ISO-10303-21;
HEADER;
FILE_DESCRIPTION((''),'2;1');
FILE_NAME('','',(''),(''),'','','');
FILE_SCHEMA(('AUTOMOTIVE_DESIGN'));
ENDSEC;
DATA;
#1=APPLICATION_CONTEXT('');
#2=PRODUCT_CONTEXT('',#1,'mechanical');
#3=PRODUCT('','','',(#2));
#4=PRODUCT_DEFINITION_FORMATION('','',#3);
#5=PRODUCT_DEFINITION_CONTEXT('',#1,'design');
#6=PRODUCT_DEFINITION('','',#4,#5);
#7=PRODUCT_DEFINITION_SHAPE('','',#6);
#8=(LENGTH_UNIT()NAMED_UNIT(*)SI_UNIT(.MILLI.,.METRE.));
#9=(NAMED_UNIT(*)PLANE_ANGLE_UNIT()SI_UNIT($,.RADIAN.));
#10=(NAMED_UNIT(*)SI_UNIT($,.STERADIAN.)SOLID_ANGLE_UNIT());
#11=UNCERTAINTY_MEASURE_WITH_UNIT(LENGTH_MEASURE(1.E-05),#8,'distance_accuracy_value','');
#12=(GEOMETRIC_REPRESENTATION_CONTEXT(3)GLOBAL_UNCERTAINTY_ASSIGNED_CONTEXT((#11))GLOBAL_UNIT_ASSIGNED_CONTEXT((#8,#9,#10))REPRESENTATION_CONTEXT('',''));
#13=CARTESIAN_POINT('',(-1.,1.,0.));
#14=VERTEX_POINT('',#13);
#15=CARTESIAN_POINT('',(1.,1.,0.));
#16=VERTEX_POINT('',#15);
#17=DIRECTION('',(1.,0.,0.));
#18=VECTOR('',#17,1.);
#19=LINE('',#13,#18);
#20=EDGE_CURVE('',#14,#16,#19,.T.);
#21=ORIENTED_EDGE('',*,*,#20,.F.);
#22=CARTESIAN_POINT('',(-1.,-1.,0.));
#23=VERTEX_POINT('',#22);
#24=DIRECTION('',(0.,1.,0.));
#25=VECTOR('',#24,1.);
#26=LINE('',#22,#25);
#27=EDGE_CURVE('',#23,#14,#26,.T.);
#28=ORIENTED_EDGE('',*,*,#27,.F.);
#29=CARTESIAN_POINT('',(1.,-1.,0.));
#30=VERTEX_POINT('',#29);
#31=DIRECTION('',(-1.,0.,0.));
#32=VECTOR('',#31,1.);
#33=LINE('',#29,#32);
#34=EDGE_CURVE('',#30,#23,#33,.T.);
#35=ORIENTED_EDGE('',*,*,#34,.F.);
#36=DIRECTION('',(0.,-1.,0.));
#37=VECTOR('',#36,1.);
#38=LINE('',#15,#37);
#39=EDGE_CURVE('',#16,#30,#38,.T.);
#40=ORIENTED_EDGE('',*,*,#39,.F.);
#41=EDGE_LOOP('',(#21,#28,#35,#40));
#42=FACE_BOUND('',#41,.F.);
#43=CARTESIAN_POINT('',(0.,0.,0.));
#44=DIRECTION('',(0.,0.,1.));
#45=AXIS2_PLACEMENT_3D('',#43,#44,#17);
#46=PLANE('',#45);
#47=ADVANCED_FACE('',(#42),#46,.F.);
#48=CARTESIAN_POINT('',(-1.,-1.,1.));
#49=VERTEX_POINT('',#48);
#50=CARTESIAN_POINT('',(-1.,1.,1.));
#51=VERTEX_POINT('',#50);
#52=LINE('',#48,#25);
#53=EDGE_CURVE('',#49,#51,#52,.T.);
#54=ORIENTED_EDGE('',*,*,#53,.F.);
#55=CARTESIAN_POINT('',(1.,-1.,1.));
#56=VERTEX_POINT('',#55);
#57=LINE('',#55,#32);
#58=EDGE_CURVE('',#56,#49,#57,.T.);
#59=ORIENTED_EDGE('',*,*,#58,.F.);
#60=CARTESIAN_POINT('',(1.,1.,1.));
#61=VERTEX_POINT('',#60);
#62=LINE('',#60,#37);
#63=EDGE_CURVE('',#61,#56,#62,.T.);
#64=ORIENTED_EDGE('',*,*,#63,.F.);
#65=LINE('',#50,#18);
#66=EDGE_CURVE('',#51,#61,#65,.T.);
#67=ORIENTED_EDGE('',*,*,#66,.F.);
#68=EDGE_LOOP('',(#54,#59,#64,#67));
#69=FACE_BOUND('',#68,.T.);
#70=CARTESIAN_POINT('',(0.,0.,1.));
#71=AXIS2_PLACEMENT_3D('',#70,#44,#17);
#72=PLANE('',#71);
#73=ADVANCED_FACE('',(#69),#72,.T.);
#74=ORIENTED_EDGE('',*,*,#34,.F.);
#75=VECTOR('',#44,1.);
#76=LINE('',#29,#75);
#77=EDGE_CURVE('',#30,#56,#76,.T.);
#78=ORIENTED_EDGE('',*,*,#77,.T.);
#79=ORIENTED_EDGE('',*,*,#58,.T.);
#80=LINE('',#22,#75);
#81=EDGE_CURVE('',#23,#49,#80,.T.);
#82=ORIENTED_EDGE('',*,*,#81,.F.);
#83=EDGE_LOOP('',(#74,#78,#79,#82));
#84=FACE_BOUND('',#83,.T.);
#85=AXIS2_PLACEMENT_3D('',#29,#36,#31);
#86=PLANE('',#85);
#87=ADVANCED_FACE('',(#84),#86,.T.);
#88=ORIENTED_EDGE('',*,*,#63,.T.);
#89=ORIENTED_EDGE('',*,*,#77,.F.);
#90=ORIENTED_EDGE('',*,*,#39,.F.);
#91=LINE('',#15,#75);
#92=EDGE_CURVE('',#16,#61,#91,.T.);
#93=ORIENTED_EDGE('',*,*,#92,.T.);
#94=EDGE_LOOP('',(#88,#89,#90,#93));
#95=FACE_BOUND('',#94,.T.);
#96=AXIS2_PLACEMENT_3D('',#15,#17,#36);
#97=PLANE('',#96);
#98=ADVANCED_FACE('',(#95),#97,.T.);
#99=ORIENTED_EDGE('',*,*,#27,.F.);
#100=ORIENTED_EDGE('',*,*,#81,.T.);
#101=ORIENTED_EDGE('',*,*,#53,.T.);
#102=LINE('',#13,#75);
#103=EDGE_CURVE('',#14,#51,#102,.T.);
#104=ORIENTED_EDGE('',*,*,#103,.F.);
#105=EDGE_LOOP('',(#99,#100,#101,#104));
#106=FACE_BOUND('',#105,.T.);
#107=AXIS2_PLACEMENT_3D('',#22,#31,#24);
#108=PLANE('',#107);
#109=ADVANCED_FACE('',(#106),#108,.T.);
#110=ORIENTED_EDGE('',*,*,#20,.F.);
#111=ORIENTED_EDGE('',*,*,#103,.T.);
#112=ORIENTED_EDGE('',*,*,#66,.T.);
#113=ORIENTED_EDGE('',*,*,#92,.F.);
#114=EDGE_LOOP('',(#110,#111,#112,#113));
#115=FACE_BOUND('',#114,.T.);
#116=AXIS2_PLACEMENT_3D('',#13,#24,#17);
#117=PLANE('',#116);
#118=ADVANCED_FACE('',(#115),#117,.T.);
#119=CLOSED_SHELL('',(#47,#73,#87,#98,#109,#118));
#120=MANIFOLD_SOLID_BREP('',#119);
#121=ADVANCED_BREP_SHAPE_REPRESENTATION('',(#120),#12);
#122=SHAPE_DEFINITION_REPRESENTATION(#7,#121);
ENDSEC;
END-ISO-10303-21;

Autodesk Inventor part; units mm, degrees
ref_plane "YZ Plane" through (0, 0, 0) normal (1, 0, 0) x (0, 1, 0)
ref_plane "XZ Plane" through (0, 0, 0) normal (0, 1, 0) x (-1, 0, 0)
ref_plane "XY Plane" through (0, 0, 0) normal (0, 0, 1) x (1, 0, 0)
sketch "FIDUCIAL_MARKING_SMALL, DEVICE__29" plane through (0, 0, 0) normal (0, 0, 1) x (1, 0, 0)
  line L0 (-1, -1) -> (-1, 1)
  line L1 (-1, 1) -> (1, 1)
  line L2 (1, 1) -> (1, -1)
  line L3 (1, -1) -> (-1, -1)
extrude "Extrusion1" add sketch "FIDUCIAL_MARKING_SMALL, DEVICE__29" along normal blind 1
properties part number "DEVICE?"
